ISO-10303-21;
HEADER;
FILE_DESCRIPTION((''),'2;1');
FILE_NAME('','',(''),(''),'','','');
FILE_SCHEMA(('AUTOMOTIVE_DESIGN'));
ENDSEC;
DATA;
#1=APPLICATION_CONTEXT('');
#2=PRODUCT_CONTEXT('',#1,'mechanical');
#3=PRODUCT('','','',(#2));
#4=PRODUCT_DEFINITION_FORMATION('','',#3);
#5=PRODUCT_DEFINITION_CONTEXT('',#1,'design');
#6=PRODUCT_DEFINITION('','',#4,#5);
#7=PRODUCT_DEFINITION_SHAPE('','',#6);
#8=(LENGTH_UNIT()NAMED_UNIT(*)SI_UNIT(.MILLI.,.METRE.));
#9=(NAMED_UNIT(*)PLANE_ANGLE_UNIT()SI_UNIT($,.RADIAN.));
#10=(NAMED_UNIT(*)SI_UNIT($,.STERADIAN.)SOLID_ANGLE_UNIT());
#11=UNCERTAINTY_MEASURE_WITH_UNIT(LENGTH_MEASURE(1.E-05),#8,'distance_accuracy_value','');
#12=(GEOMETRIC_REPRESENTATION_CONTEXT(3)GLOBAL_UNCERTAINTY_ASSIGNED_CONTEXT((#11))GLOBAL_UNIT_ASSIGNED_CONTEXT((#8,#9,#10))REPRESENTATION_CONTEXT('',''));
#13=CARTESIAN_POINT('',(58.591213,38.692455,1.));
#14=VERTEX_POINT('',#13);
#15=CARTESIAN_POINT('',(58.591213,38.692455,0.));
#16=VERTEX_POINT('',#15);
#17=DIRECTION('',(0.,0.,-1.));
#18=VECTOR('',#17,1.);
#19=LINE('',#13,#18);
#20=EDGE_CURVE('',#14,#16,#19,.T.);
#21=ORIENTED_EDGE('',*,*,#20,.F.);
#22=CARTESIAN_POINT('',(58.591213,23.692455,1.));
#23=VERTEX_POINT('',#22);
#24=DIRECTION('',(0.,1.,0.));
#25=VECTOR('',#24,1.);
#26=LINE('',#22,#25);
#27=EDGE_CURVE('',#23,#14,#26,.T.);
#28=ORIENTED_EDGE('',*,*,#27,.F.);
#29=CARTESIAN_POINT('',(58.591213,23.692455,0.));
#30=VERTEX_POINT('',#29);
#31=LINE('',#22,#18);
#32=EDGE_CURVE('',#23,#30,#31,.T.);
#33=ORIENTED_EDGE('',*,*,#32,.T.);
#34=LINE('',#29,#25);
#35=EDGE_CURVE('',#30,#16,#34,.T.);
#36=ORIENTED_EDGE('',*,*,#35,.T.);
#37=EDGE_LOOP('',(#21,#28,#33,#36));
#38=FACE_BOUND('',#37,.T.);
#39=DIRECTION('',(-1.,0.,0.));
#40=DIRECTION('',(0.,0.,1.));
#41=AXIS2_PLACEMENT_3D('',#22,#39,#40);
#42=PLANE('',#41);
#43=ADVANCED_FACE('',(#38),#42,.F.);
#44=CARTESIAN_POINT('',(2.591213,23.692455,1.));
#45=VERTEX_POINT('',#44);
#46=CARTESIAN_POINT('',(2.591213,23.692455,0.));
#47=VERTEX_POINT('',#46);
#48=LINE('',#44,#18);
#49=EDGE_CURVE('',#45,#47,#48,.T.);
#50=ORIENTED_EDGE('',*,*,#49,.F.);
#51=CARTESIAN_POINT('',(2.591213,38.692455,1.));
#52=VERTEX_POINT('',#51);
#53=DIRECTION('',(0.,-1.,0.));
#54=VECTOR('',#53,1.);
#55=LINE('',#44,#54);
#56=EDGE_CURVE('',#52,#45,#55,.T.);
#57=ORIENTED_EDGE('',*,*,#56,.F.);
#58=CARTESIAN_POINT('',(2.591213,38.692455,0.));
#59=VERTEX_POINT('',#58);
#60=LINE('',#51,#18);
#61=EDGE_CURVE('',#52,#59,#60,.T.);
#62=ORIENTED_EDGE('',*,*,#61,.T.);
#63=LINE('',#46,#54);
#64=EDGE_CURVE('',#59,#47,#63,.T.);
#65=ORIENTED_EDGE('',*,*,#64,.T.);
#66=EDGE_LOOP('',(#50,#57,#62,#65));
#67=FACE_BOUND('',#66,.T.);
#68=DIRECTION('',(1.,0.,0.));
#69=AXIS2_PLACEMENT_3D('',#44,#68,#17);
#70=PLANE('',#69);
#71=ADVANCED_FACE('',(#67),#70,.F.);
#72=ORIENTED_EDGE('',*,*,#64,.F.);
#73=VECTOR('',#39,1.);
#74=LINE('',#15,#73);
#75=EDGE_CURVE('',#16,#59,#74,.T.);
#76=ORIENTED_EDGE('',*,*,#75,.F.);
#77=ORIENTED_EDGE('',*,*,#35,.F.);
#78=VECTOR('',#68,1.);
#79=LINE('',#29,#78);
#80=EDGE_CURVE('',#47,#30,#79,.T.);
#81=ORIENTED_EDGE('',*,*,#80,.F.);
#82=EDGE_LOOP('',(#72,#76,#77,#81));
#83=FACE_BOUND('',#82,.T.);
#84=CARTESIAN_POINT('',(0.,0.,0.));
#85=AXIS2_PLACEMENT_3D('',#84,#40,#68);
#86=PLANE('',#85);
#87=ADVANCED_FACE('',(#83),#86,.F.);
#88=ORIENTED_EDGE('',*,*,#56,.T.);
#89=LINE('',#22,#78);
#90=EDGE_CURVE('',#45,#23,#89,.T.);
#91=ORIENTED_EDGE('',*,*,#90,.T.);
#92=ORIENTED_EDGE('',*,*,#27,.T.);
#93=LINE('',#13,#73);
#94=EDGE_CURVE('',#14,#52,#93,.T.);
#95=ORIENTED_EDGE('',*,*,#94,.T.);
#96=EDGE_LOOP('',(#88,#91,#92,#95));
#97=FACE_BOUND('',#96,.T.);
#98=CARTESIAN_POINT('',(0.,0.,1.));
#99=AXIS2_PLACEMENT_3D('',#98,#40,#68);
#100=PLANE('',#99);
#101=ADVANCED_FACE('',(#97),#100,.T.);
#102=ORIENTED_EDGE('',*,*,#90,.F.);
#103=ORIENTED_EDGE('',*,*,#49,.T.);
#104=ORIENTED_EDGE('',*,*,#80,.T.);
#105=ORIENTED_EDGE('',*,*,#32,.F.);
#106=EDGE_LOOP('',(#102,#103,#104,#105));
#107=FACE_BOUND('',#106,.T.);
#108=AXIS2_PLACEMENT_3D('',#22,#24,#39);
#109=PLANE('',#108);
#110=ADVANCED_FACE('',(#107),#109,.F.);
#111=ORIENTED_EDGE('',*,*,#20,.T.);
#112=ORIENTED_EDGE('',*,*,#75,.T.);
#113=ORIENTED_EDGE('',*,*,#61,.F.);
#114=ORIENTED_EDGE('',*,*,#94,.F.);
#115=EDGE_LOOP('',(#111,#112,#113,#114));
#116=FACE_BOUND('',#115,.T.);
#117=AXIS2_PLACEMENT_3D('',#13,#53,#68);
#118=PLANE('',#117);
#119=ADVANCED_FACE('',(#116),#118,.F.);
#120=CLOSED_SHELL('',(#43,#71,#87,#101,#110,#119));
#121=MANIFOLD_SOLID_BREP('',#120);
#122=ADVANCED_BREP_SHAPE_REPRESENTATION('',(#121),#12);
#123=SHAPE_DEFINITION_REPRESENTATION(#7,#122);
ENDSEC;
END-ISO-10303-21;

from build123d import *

# Parameters (mm, degrees)
ESBO_O1_W                = 56
ESBO_O1_H                = 15
RESSALTO_EXTRUS_O1_DEPTH = 1


with BuildPart() as part:
    # Esboço1 → Ressalto-extrusão1 (new body)
    with BuildSketch(Plane.XY):
        with Locations((30.591212709, 31.192455426)):
            Rectangle(ESBO_O1_W, ESBO_O1_H)
    extrude(amount=RESSALTO_EXTRUS_O1_DEPTH)


solid = part.part
